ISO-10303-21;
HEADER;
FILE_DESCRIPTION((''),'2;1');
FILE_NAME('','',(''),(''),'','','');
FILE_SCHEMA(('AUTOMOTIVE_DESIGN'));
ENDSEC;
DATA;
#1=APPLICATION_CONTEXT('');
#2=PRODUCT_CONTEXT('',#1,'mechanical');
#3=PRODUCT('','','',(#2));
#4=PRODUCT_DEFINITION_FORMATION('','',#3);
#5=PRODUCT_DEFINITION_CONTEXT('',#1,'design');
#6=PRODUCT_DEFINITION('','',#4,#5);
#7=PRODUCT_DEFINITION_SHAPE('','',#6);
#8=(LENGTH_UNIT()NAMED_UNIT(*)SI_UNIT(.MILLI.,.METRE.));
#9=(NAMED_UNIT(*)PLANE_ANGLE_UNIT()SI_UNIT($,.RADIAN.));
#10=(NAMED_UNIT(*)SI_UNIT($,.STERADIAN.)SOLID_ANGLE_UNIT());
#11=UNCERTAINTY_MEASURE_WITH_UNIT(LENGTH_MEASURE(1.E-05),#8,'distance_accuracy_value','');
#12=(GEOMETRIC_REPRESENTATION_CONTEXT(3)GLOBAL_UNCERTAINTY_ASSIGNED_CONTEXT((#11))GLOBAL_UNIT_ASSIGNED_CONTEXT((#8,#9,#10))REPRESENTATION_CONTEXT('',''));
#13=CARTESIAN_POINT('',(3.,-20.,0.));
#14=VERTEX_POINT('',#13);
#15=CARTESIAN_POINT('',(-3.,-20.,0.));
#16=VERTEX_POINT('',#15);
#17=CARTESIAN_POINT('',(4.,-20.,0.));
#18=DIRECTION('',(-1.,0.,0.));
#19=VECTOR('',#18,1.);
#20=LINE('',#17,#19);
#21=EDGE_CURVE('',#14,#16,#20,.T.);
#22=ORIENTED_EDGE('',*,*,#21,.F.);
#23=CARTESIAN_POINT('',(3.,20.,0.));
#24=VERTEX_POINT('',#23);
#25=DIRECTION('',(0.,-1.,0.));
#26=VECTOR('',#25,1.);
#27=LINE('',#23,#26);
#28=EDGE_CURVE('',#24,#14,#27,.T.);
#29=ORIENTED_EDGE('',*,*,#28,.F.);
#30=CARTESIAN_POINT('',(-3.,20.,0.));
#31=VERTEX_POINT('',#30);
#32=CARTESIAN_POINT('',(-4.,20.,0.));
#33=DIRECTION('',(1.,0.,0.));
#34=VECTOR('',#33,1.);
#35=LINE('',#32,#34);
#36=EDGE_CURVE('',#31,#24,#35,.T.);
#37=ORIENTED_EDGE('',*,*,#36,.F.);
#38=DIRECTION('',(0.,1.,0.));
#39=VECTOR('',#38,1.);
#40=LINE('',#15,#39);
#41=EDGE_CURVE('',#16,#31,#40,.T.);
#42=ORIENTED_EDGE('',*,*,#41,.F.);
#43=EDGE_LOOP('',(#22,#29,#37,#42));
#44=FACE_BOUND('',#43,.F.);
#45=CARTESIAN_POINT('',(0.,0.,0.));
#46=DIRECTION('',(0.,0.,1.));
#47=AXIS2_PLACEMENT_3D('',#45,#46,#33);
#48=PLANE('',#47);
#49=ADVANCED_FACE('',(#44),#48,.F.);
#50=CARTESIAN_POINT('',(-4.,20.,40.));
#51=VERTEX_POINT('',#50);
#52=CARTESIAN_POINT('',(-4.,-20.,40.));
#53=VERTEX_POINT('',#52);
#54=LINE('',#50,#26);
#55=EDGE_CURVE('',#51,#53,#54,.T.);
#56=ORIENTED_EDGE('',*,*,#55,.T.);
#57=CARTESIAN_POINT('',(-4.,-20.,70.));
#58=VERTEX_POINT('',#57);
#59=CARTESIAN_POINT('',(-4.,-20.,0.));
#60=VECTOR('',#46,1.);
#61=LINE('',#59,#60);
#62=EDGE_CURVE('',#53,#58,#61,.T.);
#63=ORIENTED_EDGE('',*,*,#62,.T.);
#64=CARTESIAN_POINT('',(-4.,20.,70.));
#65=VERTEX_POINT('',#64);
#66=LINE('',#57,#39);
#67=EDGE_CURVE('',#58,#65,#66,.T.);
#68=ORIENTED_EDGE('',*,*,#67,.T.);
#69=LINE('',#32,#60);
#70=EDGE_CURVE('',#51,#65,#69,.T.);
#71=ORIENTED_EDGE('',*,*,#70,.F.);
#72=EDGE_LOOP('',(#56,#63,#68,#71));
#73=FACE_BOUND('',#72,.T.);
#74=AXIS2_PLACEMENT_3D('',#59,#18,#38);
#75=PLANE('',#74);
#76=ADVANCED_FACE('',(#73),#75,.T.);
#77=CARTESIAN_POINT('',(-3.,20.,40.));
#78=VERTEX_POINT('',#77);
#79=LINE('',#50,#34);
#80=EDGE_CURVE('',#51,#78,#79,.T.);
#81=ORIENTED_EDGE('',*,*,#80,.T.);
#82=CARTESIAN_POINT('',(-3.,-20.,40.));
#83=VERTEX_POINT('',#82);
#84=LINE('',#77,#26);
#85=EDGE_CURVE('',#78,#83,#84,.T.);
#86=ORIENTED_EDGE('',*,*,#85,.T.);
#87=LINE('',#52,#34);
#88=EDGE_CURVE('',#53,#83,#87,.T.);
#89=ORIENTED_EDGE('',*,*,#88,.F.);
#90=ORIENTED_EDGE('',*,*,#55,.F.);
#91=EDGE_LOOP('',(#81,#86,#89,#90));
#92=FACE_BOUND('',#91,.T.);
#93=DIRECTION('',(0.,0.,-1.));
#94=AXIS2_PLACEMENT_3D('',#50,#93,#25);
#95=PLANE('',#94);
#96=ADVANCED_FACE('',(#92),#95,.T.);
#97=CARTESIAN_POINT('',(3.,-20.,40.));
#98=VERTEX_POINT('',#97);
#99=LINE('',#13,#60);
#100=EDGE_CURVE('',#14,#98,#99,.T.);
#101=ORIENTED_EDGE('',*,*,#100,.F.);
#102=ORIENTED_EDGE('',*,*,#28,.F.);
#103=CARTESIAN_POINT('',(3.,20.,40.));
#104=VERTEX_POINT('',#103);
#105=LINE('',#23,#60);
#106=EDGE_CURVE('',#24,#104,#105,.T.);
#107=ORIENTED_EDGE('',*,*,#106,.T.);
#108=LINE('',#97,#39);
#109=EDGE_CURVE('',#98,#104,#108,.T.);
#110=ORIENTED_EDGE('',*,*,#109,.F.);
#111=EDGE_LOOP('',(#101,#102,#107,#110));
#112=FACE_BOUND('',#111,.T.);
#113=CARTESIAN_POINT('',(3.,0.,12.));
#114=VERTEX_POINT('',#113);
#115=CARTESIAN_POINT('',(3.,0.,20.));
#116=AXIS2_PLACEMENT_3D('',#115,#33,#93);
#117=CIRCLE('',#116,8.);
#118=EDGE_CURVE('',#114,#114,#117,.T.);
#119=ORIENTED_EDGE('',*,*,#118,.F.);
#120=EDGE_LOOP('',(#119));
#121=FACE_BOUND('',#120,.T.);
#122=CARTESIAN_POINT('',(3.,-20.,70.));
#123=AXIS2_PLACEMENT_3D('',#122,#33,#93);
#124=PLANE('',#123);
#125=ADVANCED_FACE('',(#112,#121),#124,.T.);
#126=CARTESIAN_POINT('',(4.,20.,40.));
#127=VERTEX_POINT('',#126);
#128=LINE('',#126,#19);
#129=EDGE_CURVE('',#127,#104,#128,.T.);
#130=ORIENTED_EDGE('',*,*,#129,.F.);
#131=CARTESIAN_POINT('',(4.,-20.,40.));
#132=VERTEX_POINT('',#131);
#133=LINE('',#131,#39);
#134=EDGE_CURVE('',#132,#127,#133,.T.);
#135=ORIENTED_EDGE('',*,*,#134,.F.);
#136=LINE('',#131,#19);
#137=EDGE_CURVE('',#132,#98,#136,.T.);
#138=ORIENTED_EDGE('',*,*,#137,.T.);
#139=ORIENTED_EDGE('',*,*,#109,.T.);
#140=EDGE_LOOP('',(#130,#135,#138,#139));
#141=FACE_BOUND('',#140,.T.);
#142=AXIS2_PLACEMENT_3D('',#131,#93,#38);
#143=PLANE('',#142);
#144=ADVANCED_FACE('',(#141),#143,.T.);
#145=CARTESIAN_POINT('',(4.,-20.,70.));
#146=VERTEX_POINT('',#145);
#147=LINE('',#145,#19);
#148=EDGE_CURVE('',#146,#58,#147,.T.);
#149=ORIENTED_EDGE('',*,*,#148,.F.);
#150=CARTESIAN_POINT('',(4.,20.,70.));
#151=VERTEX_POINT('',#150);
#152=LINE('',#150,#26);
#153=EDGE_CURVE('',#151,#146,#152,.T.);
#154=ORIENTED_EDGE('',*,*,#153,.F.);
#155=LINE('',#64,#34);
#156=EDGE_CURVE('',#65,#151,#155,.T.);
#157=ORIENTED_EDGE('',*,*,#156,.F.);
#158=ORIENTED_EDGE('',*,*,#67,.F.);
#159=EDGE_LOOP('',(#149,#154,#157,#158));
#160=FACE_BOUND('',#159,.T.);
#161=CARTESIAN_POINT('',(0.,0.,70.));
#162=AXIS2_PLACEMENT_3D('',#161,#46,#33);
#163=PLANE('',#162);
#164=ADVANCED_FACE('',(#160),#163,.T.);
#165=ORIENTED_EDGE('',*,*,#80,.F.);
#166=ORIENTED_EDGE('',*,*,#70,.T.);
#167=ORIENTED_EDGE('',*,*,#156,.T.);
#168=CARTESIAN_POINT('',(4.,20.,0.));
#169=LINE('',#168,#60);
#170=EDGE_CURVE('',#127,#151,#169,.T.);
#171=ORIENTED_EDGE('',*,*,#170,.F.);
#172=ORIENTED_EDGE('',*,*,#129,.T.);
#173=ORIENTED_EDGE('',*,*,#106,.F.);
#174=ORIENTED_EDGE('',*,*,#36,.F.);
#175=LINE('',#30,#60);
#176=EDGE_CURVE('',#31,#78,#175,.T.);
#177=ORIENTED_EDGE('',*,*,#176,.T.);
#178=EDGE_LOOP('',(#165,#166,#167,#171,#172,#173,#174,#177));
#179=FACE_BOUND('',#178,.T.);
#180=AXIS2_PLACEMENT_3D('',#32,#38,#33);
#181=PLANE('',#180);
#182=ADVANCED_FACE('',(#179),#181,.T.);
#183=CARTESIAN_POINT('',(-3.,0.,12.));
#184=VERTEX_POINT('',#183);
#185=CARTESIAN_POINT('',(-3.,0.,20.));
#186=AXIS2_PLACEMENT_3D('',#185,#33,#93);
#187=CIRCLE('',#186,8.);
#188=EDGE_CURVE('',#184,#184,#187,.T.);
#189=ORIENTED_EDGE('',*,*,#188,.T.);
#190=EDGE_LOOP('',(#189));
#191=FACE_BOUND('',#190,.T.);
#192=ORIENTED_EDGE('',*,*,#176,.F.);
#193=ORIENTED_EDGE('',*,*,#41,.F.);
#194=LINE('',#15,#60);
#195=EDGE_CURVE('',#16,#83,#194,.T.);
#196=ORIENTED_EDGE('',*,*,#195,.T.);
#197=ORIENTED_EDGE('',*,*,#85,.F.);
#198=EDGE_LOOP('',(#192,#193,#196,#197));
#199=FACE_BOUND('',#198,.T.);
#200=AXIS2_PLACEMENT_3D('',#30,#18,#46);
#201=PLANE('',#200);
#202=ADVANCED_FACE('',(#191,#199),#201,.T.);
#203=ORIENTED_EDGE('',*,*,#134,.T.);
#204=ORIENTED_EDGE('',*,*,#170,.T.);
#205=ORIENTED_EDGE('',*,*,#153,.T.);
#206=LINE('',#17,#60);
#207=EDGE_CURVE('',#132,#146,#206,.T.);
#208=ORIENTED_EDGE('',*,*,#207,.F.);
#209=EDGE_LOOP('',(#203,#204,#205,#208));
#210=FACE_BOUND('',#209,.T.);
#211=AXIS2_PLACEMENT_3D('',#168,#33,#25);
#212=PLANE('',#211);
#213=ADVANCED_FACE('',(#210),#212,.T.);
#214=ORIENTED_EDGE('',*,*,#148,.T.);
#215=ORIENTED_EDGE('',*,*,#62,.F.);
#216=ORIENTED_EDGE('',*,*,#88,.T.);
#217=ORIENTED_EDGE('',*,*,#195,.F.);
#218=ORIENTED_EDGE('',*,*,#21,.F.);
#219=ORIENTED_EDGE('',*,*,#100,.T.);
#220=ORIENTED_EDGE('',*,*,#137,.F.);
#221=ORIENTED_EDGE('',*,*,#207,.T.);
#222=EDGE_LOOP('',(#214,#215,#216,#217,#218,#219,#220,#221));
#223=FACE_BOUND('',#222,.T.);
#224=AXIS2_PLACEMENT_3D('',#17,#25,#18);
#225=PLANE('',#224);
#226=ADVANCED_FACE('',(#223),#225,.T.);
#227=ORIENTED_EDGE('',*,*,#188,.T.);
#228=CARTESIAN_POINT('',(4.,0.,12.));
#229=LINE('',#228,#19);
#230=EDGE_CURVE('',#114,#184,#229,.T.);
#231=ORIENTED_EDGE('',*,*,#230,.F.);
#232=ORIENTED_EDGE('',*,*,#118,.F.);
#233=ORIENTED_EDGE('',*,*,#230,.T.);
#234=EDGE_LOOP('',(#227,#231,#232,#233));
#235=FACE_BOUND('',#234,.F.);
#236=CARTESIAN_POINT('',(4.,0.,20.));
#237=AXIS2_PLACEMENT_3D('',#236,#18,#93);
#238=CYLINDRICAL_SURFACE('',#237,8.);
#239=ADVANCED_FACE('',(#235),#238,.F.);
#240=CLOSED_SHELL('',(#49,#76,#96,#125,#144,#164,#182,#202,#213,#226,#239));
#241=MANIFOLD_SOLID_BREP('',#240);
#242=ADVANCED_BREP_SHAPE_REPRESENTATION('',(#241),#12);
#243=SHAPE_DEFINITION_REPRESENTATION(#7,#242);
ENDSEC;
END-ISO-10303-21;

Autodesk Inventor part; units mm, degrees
ref_plane "YZ Plane" through (0, 0, 0) normal (1, 0, 0) x (0, 1, 0)
ref_plane "Startebene" through (0, 0, 0) normal (0, 0, 1) x (1, 0, 0)
ref_plane "Endebene" through (0, 0, 70) normal (0, 0, 1) x (1, 0, 0)
sketch "Skizze" plane through (0, 0, 0) normal (0, 0, 1) x (1, 0, 0)
  line L0 (4, -20) -> (-4, -20)
  line L1 (-4, -20) -> (-4, 20)
  line L2 (-4, 20) -> (4, 20)
  line L3 (4, 20) -> (4, -20)
  line L4 (-6, 0) -> (8, 0) construction
  line L5 (0, -30) -> (0, 40) construction
  line L6 (0, 54) -> (0, -44) construction
  line L7 (-9.2, 0) -> (13.2, 0) construction
  dimension "d0" = 40
  dimension "d1" = 8
  dimension "d4" = 4
  dimension "d5" = 20
extrude "Körper" add sketch "Skizze" along normal up to surface (70 mm away) from surface at 0
sketch "Sketch3" plane through (0, 0, 0) normal (0, 0, 1) x (1, 0, 0)
  line L0 (0, 0) -> (10, 0)
ref_plane "Work Plane3" through (0, 0, 0) normal (0, -1, 0) x (1, 0, 0)
sketch "Sketch4" plane through (0, 0, 0) normal (0, -1, 0) x (1, 0, 0)
  line L0 (-2, 0) -> (12, 0)
  line L1 (-2, 70) -> (12, 70)
  dimension "d9" = 70
sketch "Skizze5" plane through (4, -20, 70) normal (1, 0, 0) x (0, 0, -1)
  line L0 (70, 0) -> (0, 0) projected
  line L1 (70, 40) -> (70, 0) projected
  point P0 (70, 20)
  point P1 (50, 20)
  dimension "d11" = 20
  dimension "d19" = 20
hole "Bohrung1" at (4, 0, 20) direction (-1, 0, 0) diameter 16 depth 15 tip angle 118
sketch "Skizze6" plane through (4, -20, 70) normal (1, 0, 0) x (0, 0, -1)
  circle A0 centre (50, 20) radius 8 projected
  line L0 (70, 40) -> (0, 40) projected
  line L1 (70, 0) -> (30, 0)
  line L2 (30, 0) -> (30, 40)
  line L3 (30, 40) -> (70, 40)
  line L4 (70, 40) -> (70, 0)
  point P0 (70, 20)
  dimension "d20" = 40
extrude "Extrusion2" cut sketch "Skizze6" against normal blind 1
sketch "Skizze7" plane through (-4, 20, 0) normal (-1, 0, 0) x (0, 0, 1)
  circle A0 centre (20, -20) radius 8 projected
  line L0 (0, -40) -> (70, -40) projected
  line L1 (0, 0) -> (40, 0)
  line L2 (40, 0) -> (40, -40)
  line L3 (40, -40) -> (0, -40)
  line L4 (0, -40) -> (0, 0)
  point P0 (0, -20)
  dimension "d23" = 40
extrude "Extrusion3" cut sketch "Skizze7" against normal blind 1
equation "\"d0\" = G_W"
equation "\"d1\" = G_H"
equation "\"d4\" = 0.5 * d1"
equation "\"d5\" = 0.5 * d0"
equation "\"d2\" = G_L"
equation "\"G_W\" = 40"
equation "\"G_H\" = 8"
equation "\"G_L\" = d9"
equation "\"G_OFFSET_START\" = 0"
equation "\"G_OFFSET_END\" = 0"
properties part number "EN 10058 - 40 x 6 - 60" material "Stahl, weich"
